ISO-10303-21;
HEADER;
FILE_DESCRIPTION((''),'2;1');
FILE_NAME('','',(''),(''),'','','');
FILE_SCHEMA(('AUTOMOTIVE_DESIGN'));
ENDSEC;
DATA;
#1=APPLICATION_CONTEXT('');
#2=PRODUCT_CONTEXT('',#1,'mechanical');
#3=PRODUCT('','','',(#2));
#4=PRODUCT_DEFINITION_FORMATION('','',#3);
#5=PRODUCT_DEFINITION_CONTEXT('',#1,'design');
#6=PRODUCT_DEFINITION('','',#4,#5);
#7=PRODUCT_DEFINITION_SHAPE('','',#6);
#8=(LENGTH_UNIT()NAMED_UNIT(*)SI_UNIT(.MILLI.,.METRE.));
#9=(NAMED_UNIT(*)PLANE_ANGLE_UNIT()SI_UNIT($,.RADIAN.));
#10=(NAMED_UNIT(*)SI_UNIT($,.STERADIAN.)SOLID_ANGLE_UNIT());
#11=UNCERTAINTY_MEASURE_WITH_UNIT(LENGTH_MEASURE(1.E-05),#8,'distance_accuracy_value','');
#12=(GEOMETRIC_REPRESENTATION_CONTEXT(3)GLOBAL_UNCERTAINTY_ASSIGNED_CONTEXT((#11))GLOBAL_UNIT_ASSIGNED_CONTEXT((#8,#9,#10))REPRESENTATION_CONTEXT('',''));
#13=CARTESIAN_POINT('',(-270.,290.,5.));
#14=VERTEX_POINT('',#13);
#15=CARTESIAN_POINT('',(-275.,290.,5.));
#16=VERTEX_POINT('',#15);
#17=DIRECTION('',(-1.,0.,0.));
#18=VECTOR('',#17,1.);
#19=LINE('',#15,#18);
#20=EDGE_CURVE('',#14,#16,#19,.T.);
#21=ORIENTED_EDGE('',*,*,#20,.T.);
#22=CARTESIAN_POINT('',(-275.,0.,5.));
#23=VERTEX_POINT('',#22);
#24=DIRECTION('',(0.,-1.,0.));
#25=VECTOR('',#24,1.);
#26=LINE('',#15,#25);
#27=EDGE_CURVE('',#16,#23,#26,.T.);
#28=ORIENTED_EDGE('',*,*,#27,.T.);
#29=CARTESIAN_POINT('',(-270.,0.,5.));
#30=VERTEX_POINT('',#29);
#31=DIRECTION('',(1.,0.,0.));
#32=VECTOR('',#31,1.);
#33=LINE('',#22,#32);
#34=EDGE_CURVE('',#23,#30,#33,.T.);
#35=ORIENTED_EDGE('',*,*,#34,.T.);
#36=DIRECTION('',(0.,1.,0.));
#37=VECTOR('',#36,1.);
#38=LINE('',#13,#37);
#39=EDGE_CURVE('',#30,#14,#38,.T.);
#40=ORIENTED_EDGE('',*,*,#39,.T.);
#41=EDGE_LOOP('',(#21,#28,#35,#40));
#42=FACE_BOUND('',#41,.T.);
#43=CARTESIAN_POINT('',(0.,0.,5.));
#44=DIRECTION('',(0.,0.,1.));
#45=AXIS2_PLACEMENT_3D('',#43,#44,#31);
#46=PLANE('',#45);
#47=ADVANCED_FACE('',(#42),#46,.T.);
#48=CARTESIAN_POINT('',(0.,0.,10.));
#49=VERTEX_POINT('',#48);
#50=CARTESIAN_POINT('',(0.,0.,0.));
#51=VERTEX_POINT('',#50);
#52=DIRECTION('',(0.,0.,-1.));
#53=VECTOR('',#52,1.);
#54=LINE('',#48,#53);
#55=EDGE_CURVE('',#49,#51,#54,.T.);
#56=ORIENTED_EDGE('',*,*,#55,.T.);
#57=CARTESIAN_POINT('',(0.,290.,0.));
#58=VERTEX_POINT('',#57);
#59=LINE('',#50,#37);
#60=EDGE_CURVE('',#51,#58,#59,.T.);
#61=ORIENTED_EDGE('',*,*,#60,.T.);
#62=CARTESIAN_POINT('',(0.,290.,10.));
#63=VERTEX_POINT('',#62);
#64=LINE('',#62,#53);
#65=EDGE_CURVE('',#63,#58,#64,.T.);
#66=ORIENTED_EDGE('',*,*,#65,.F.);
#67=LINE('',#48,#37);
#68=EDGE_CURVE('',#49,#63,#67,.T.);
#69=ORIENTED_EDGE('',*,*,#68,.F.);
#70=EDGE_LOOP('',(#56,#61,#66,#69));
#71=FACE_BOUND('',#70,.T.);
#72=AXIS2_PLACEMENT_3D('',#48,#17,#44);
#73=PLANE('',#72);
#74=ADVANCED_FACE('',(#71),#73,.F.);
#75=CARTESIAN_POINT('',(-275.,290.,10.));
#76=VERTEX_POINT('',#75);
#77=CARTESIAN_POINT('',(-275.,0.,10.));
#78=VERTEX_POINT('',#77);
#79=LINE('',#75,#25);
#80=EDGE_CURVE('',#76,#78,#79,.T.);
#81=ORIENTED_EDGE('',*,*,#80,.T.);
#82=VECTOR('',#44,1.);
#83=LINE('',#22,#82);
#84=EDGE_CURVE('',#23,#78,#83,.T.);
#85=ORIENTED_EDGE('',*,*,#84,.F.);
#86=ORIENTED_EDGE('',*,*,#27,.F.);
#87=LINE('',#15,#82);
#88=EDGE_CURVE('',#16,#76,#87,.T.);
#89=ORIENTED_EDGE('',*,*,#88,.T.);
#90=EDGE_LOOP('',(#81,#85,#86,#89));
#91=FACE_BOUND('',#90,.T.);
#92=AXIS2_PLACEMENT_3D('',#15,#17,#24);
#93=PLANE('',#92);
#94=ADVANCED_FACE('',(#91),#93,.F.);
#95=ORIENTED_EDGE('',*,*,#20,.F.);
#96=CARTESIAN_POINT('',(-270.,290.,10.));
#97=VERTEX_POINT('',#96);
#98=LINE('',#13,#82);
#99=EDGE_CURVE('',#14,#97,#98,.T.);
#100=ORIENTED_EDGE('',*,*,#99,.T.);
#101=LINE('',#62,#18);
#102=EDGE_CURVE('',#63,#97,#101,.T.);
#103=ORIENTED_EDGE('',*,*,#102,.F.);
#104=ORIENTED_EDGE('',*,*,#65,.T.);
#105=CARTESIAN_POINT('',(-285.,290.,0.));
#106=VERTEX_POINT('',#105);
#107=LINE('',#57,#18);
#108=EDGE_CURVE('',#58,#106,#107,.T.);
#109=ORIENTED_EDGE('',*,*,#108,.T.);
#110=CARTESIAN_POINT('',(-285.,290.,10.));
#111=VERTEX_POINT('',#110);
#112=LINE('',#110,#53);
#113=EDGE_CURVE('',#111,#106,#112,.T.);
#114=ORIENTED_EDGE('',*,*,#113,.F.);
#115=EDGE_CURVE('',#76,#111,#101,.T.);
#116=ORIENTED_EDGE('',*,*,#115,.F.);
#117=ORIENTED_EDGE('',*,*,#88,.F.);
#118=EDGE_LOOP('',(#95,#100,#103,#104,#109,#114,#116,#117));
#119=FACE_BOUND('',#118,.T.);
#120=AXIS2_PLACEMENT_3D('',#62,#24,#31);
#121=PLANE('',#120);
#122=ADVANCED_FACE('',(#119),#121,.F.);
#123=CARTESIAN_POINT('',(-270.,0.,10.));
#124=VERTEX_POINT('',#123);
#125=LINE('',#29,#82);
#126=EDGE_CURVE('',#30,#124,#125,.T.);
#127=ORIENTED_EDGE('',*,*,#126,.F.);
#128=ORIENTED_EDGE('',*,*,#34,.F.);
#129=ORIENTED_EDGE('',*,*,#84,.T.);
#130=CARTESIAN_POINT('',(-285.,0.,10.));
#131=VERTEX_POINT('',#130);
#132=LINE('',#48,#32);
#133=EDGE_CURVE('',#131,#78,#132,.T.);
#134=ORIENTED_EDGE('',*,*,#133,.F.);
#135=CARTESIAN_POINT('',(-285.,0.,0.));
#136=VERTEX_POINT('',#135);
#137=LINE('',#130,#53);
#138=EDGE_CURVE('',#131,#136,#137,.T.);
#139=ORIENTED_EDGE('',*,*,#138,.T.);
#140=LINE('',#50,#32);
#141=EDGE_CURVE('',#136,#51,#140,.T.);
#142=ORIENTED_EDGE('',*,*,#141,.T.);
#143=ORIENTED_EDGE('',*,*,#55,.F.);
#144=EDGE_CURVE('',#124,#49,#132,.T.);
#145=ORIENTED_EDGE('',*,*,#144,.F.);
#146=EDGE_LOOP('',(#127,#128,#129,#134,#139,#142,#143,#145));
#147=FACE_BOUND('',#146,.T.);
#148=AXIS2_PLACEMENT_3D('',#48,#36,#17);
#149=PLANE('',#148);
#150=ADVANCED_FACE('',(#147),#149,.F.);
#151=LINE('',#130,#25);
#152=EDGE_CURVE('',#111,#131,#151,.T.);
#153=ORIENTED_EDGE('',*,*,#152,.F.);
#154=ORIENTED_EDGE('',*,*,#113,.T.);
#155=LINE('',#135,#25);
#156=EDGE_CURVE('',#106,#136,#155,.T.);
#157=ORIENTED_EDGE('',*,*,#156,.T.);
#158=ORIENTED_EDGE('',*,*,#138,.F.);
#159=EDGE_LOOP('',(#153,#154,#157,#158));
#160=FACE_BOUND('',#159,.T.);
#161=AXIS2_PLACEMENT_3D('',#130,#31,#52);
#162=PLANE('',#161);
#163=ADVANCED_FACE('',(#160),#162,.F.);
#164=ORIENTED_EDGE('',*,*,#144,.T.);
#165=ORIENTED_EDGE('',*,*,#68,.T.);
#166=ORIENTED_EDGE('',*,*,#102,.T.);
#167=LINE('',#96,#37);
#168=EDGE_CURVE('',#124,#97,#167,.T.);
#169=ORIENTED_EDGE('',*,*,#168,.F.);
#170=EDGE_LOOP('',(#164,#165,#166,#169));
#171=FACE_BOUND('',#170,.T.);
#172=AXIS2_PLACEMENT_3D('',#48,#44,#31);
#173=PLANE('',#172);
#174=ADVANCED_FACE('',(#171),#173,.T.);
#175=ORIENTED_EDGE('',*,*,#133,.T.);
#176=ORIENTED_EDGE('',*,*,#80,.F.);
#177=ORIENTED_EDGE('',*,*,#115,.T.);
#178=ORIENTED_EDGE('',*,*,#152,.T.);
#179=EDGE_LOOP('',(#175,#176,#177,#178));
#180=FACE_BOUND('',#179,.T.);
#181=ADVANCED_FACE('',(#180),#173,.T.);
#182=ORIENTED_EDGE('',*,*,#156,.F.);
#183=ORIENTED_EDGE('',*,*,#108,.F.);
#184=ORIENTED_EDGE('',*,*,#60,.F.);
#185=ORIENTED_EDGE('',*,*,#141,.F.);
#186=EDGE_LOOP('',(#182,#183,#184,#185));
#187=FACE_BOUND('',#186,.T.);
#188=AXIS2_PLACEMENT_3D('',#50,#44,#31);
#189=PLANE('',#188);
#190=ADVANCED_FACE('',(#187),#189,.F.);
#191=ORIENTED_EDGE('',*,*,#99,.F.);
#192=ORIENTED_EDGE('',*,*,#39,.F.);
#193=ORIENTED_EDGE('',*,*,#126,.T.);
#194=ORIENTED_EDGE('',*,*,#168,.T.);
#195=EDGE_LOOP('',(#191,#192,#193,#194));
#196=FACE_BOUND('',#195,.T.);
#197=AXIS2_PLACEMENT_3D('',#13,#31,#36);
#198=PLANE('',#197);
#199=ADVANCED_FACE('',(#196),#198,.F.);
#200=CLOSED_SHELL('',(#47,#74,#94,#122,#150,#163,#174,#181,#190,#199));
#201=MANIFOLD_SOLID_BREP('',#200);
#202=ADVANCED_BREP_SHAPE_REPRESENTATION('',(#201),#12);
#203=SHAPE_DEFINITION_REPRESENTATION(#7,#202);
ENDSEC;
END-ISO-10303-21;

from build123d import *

# Parameters (mm, degrees)
ESQUISSE1_W             = 285
ESQUISSE1_H             = 290
BOSS_EXTRU_1_DEPTH      = 10
ESQUISSE2_W             = 5
ESQUISSE2_H             = 290
ENL_V_MAT_EXTRU_1_DEPTH = 5


with BuildPart() as part:
    # Esquisse1 → Boss.-Extru.1 (new body)
    with BuildSketch(Plane.XY):
        with Locations((-142.5, 145)):
            Rectangle(ESQUISSE1_W, ESQUISSE1_H)
    extrude(amount=BOSS_EXTRU_1_DEPTH)

    # Esquisse2 → Enlèv. mat.-Extru.1 (cut)
    with BuildSketch(Plane.XY.offset(10)):
        with Locations((-272.5, 145)):
            Rectangle(ESQUISSE2_W, ESQUISSE2_H)
    extrude(amount=-ENL_V_MAT_EXTRU_1_DEPTH, mode=Mode.SUBTRACT)


solid = part.part
